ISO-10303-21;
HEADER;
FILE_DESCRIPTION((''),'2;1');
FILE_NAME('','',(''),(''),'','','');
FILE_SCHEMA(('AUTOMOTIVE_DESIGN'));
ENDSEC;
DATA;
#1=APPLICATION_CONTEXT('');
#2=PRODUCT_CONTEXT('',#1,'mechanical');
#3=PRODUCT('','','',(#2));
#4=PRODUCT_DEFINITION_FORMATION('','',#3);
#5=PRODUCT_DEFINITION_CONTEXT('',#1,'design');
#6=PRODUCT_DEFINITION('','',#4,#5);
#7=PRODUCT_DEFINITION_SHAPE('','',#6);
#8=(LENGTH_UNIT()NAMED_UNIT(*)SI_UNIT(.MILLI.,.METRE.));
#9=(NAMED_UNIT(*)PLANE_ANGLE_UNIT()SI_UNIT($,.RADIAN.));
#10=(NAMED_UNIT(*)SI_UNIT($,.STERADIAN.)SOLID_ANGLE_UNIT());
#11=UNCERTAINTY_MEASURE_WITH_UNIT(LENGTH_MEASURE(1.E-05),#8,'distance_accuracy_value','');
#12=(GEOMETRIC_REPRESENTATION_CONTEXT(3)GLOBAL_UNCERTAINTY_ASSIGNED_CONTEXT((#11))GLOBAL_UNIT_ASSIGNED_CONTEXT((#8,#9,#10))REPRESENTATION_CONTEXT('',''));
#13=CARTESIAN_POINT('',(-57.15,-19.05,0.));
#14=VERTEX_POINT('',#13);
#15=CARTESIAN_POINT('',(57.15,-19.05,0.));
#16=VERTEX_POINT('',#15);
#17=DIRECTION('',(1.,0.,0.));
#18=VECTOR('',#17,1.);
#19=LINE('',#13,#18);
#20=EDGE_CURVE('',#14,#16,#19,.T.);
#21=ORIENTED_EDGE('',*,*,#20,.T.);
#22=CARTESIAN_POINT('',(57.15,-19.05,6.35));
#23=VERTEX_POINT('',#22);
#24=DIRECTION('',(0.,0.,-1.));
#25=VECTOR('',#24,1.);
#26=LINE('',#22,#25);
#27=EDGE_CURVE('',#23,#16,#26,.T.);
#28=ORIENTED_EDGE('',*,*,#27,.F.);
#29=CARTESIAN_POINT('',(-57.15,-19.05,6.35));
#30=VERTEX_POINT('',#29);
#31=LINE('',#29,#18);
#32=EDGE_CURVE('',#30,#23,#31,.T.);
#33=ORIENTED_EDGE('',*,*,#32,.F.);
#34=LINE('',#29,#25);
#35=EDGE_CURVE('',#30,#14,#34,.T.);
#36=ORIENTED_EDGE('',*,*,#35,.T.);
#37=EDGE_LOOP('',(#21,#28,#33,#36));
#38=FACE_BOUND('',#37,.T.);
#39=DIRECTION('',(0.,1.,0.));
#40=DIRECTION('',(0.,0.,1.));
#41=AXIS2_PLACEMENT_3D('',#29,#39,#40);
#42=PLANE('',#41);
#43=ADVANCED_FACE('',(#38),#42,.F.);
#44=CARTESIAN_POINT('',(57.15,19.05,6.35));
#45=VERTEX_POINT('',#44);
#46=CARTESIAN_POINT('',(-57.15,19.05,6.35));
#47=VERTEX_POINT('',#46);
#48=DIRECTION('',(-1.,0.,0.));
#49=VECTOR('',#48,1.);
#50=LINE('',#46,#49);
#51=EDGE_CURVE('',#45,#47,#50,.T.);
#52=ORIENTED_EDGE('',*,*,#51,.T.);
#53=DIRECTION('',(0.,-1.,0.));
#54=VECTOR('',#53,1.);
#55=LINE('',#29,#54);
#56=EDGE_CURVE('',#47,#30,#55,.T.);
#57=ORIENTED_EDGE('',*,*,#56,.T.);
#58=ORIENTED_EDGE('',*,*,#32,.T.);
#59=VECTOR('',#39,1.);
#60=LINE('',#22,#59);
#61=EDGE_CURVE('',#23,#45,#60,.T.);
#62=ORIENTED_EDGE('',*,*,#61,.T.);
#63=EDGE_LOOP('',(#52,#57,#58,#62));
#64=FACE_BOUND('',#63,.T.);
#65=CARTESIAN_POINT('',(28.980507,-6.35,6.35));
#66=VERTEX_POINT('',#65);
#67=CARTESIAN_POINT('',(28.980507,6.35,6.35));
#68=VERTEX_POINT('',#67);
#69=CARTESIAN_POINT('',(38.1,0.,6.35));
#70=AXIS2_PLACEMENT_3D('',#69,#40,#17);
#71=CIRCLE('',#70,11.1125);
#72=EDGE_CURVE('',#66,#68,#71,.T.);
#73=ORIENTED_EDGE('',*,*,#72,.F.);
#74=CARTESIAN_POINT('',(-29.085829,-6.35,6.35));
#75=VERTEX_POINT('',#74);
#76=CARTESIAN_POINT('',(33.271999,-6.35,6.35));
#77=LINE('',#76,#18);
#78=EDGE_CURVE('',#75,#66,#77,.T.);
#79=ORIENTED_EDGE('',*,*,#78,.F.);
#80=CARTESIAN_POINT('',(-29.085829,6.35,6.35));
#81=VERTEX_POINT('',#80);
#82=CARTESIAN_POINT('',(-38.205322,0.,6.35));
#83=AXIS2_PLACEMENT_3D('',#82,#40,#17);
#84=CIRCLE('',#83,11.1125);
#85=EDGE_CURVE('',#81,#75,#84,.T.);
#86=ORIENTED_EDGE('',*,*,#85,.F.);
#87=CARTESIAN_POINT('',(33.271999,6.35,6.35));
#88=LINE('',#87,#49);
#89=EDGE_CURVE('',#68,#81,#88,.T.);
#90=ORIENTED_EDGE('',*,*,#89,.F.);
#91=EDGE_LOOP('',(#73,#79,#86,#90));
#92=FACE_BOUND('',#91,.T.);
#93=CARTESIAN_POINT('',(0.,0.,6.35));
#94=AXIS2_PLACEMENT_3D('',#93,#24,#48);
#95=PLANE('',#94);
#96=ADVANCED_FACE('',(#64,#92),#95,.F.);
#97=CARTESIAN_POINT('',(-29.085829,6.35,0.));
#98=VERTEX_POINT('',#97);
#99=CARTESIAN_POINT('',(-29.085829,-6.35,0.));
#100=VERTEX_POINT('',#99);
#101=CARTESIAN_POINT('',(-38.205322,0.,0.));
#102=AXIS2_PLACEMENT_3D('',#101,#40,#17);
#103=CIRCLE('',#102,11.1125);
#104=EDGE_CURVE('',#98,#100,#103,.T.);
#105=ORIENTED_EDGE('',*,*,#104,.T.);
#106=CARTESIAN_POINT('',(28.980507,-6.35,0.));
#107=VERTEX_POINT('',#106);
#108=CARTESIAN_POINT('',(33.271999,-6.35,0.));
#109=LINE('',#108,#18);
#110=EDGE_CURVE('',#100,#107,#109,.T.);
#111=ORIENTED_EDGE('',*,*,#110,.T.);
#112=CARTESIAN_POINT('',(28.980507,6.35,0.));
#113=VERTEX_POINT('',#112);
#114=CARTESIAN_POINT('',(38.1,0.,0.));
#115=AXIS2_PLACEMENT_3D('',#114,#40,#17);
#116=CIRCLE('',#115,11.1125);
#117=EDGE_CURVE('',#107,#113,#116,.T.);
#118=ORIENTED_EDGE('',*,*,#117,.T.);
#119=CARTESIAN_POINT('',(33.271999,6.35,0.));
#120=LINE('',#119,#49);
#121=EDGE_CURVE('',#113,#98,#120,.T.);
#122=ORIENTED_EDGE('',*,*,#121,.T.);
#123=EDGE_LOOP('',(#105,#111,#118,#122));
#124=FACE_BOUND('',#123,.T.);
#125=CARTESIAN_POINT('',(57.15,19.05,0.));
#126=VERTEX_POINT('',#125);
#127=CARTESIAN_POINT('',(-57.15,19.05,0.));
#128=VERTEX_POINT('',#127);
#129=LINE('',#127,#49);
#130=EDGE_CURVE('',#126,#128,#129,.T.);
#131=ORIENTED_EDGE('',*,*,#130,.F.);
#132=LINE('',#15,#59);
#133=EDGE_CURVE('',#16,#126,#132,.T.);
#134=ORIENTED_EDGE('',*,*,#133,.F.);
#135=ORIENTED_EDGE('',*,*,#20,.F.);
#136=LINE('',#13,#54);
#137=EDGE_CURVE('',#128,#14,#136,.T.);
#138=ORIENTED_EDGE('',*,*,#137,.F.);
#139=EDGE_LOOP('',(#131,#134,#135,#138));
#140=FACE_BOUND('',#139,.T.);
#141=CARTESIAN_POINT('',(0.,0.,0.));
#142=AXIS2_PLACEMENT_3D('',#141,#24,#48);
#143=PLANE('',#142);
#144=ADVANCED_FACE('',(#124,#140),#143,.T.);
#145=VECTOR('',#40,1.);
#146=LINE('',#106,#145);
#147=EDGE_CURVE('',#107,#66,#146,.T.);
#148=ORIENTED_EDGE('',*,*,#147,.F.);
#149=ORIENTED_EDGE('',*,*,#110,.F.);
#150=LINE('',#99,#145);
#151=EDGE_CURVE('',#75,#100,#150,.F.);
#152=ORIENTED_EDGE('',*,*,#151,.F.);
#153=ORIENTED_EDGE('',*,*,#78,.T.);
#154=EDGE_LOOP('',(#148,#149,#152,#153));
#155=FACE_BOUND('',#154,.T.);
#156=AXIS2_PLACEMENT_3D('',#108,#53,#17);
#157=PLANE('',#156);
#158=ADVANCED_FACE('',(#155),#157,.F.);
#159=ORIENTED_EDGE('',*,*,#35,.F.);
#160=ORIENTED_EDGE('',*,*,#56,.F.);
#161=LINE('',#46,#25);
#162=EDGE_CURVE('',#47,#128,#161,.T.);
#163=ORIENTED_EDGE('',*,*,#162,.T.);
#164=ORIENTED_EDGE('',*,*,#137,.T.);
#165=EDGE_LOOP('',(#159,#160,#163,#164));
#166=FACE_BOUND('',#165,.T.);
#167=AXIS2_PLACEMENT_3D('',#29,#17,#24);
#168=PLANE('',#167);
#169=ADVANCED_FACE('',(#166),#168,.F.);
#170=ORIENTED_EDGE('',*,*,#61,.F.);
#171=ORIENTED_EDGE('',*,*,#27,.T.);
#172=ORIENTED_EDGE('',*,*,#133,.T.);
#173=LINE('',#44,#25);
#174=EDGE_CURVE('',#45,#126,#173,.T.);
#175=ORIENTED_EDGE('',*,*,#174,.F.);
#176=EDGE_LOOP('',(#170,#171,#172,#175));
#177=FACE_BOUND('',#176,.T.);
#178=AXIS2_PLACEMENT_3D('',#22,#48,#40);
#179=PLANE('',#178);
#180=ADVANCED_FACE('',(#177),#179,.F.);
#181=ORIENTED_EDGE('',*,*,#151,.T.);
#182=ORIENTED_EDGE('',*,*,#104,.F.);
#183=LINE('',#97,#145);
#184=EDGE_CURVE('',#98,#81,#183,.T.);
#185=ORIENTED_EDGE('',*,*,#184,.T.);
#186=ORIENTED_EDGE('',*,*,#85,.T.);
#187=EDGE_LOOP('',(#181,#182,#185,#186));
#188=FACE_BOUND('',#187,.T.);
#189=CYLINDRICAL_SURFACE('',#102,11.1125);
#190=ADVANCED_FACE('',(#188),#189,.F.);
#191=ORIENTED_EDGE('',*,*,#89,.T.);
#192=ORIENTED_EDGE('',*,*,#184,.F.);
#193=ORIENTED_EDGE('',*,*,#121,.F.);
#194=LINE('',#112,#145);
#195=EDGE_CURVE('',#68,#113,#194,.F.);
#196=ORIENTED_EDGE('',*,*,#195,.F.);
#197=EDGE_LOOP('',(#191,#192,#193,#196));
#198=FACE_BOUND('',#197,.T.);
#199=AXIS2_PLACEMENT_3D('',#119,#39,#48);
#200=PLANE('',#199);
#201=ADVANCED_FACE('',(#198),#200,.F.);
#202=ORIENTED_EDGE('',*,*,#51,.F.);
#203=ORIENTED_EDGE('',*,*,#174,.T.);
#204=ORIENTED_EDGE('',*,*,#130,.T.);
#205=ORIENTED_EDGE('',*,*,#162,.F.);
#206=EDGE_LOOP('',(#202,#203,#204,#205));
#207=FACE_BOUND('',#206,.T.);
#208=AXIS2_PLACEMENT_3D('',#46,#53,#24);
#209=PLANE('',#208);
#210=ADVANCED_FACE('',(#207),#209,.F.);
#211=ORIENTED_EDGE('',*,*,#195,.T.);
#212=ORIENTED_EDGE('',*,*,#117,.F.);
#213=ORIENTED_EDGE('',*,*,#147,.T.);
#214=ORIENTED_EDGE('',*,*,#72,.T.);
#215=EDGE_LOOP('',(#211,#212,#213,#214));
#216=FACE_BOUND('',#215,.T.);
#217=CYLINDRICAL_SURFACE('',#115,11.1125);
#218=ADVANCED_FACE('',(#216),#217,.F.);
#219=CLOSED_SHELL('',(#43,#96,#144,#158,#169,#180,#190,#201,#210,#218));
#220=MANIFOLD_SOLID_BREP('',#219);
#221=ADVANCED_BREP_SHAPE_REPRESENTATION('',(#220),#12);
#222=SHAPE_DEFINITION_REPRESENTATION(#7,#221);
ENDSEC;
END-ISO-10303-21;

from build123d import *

# Parameters (mm, degrees)
SKETCH1_W           = 114.3
SKETCH1_H           = 38.1
BOSS_EXTRUDE1_DEPTH = 6.35
SKETCH2_R           = 11.1125
CUT_EXTRUDE1_DEPTH  = 61.57513929
SKETCH3_W           = 66.543997706
SKETCH3_H           = 12.7
CUT_EXTRUDE2_DEPTH  = 61.57513929


with BuildPart() as part:
    # Sketch1 → Boss-Extrude1 (new body)
    with BuildSketch(Plane.XY):
        Rectangle(SKETCH1_W, SKETCH1_H)
    extrude(amount=BOSS_EXTRUDE1_DEPTH)

    # Sketch2 → Cut-Extrude1 (cut, through all)
    with BuildSketch(Plane.XY.offset(6.35)):
        with Locations((-38.205321874, 0)):
            Circle(SKETCH2_R)
        with Locations((38.1, 0)):
            Circle(SKETCH2_R)
    extrude(amount=-CUT_EXTRUDE1_DEPTH, mode=Mode.SUBTRACT)

    # Sketch3 → Cut-Extrude2 (cut, through all)
    with BuildSketch(Plane.XY.offset(6.35)):
        Rectangle(SKETCH3_W, SKETCH3_H)
    extrude(amount=-CUT_EXTRUDE2_DEPTH, mode=Mode.SUBTRACT)


solid = part.part
